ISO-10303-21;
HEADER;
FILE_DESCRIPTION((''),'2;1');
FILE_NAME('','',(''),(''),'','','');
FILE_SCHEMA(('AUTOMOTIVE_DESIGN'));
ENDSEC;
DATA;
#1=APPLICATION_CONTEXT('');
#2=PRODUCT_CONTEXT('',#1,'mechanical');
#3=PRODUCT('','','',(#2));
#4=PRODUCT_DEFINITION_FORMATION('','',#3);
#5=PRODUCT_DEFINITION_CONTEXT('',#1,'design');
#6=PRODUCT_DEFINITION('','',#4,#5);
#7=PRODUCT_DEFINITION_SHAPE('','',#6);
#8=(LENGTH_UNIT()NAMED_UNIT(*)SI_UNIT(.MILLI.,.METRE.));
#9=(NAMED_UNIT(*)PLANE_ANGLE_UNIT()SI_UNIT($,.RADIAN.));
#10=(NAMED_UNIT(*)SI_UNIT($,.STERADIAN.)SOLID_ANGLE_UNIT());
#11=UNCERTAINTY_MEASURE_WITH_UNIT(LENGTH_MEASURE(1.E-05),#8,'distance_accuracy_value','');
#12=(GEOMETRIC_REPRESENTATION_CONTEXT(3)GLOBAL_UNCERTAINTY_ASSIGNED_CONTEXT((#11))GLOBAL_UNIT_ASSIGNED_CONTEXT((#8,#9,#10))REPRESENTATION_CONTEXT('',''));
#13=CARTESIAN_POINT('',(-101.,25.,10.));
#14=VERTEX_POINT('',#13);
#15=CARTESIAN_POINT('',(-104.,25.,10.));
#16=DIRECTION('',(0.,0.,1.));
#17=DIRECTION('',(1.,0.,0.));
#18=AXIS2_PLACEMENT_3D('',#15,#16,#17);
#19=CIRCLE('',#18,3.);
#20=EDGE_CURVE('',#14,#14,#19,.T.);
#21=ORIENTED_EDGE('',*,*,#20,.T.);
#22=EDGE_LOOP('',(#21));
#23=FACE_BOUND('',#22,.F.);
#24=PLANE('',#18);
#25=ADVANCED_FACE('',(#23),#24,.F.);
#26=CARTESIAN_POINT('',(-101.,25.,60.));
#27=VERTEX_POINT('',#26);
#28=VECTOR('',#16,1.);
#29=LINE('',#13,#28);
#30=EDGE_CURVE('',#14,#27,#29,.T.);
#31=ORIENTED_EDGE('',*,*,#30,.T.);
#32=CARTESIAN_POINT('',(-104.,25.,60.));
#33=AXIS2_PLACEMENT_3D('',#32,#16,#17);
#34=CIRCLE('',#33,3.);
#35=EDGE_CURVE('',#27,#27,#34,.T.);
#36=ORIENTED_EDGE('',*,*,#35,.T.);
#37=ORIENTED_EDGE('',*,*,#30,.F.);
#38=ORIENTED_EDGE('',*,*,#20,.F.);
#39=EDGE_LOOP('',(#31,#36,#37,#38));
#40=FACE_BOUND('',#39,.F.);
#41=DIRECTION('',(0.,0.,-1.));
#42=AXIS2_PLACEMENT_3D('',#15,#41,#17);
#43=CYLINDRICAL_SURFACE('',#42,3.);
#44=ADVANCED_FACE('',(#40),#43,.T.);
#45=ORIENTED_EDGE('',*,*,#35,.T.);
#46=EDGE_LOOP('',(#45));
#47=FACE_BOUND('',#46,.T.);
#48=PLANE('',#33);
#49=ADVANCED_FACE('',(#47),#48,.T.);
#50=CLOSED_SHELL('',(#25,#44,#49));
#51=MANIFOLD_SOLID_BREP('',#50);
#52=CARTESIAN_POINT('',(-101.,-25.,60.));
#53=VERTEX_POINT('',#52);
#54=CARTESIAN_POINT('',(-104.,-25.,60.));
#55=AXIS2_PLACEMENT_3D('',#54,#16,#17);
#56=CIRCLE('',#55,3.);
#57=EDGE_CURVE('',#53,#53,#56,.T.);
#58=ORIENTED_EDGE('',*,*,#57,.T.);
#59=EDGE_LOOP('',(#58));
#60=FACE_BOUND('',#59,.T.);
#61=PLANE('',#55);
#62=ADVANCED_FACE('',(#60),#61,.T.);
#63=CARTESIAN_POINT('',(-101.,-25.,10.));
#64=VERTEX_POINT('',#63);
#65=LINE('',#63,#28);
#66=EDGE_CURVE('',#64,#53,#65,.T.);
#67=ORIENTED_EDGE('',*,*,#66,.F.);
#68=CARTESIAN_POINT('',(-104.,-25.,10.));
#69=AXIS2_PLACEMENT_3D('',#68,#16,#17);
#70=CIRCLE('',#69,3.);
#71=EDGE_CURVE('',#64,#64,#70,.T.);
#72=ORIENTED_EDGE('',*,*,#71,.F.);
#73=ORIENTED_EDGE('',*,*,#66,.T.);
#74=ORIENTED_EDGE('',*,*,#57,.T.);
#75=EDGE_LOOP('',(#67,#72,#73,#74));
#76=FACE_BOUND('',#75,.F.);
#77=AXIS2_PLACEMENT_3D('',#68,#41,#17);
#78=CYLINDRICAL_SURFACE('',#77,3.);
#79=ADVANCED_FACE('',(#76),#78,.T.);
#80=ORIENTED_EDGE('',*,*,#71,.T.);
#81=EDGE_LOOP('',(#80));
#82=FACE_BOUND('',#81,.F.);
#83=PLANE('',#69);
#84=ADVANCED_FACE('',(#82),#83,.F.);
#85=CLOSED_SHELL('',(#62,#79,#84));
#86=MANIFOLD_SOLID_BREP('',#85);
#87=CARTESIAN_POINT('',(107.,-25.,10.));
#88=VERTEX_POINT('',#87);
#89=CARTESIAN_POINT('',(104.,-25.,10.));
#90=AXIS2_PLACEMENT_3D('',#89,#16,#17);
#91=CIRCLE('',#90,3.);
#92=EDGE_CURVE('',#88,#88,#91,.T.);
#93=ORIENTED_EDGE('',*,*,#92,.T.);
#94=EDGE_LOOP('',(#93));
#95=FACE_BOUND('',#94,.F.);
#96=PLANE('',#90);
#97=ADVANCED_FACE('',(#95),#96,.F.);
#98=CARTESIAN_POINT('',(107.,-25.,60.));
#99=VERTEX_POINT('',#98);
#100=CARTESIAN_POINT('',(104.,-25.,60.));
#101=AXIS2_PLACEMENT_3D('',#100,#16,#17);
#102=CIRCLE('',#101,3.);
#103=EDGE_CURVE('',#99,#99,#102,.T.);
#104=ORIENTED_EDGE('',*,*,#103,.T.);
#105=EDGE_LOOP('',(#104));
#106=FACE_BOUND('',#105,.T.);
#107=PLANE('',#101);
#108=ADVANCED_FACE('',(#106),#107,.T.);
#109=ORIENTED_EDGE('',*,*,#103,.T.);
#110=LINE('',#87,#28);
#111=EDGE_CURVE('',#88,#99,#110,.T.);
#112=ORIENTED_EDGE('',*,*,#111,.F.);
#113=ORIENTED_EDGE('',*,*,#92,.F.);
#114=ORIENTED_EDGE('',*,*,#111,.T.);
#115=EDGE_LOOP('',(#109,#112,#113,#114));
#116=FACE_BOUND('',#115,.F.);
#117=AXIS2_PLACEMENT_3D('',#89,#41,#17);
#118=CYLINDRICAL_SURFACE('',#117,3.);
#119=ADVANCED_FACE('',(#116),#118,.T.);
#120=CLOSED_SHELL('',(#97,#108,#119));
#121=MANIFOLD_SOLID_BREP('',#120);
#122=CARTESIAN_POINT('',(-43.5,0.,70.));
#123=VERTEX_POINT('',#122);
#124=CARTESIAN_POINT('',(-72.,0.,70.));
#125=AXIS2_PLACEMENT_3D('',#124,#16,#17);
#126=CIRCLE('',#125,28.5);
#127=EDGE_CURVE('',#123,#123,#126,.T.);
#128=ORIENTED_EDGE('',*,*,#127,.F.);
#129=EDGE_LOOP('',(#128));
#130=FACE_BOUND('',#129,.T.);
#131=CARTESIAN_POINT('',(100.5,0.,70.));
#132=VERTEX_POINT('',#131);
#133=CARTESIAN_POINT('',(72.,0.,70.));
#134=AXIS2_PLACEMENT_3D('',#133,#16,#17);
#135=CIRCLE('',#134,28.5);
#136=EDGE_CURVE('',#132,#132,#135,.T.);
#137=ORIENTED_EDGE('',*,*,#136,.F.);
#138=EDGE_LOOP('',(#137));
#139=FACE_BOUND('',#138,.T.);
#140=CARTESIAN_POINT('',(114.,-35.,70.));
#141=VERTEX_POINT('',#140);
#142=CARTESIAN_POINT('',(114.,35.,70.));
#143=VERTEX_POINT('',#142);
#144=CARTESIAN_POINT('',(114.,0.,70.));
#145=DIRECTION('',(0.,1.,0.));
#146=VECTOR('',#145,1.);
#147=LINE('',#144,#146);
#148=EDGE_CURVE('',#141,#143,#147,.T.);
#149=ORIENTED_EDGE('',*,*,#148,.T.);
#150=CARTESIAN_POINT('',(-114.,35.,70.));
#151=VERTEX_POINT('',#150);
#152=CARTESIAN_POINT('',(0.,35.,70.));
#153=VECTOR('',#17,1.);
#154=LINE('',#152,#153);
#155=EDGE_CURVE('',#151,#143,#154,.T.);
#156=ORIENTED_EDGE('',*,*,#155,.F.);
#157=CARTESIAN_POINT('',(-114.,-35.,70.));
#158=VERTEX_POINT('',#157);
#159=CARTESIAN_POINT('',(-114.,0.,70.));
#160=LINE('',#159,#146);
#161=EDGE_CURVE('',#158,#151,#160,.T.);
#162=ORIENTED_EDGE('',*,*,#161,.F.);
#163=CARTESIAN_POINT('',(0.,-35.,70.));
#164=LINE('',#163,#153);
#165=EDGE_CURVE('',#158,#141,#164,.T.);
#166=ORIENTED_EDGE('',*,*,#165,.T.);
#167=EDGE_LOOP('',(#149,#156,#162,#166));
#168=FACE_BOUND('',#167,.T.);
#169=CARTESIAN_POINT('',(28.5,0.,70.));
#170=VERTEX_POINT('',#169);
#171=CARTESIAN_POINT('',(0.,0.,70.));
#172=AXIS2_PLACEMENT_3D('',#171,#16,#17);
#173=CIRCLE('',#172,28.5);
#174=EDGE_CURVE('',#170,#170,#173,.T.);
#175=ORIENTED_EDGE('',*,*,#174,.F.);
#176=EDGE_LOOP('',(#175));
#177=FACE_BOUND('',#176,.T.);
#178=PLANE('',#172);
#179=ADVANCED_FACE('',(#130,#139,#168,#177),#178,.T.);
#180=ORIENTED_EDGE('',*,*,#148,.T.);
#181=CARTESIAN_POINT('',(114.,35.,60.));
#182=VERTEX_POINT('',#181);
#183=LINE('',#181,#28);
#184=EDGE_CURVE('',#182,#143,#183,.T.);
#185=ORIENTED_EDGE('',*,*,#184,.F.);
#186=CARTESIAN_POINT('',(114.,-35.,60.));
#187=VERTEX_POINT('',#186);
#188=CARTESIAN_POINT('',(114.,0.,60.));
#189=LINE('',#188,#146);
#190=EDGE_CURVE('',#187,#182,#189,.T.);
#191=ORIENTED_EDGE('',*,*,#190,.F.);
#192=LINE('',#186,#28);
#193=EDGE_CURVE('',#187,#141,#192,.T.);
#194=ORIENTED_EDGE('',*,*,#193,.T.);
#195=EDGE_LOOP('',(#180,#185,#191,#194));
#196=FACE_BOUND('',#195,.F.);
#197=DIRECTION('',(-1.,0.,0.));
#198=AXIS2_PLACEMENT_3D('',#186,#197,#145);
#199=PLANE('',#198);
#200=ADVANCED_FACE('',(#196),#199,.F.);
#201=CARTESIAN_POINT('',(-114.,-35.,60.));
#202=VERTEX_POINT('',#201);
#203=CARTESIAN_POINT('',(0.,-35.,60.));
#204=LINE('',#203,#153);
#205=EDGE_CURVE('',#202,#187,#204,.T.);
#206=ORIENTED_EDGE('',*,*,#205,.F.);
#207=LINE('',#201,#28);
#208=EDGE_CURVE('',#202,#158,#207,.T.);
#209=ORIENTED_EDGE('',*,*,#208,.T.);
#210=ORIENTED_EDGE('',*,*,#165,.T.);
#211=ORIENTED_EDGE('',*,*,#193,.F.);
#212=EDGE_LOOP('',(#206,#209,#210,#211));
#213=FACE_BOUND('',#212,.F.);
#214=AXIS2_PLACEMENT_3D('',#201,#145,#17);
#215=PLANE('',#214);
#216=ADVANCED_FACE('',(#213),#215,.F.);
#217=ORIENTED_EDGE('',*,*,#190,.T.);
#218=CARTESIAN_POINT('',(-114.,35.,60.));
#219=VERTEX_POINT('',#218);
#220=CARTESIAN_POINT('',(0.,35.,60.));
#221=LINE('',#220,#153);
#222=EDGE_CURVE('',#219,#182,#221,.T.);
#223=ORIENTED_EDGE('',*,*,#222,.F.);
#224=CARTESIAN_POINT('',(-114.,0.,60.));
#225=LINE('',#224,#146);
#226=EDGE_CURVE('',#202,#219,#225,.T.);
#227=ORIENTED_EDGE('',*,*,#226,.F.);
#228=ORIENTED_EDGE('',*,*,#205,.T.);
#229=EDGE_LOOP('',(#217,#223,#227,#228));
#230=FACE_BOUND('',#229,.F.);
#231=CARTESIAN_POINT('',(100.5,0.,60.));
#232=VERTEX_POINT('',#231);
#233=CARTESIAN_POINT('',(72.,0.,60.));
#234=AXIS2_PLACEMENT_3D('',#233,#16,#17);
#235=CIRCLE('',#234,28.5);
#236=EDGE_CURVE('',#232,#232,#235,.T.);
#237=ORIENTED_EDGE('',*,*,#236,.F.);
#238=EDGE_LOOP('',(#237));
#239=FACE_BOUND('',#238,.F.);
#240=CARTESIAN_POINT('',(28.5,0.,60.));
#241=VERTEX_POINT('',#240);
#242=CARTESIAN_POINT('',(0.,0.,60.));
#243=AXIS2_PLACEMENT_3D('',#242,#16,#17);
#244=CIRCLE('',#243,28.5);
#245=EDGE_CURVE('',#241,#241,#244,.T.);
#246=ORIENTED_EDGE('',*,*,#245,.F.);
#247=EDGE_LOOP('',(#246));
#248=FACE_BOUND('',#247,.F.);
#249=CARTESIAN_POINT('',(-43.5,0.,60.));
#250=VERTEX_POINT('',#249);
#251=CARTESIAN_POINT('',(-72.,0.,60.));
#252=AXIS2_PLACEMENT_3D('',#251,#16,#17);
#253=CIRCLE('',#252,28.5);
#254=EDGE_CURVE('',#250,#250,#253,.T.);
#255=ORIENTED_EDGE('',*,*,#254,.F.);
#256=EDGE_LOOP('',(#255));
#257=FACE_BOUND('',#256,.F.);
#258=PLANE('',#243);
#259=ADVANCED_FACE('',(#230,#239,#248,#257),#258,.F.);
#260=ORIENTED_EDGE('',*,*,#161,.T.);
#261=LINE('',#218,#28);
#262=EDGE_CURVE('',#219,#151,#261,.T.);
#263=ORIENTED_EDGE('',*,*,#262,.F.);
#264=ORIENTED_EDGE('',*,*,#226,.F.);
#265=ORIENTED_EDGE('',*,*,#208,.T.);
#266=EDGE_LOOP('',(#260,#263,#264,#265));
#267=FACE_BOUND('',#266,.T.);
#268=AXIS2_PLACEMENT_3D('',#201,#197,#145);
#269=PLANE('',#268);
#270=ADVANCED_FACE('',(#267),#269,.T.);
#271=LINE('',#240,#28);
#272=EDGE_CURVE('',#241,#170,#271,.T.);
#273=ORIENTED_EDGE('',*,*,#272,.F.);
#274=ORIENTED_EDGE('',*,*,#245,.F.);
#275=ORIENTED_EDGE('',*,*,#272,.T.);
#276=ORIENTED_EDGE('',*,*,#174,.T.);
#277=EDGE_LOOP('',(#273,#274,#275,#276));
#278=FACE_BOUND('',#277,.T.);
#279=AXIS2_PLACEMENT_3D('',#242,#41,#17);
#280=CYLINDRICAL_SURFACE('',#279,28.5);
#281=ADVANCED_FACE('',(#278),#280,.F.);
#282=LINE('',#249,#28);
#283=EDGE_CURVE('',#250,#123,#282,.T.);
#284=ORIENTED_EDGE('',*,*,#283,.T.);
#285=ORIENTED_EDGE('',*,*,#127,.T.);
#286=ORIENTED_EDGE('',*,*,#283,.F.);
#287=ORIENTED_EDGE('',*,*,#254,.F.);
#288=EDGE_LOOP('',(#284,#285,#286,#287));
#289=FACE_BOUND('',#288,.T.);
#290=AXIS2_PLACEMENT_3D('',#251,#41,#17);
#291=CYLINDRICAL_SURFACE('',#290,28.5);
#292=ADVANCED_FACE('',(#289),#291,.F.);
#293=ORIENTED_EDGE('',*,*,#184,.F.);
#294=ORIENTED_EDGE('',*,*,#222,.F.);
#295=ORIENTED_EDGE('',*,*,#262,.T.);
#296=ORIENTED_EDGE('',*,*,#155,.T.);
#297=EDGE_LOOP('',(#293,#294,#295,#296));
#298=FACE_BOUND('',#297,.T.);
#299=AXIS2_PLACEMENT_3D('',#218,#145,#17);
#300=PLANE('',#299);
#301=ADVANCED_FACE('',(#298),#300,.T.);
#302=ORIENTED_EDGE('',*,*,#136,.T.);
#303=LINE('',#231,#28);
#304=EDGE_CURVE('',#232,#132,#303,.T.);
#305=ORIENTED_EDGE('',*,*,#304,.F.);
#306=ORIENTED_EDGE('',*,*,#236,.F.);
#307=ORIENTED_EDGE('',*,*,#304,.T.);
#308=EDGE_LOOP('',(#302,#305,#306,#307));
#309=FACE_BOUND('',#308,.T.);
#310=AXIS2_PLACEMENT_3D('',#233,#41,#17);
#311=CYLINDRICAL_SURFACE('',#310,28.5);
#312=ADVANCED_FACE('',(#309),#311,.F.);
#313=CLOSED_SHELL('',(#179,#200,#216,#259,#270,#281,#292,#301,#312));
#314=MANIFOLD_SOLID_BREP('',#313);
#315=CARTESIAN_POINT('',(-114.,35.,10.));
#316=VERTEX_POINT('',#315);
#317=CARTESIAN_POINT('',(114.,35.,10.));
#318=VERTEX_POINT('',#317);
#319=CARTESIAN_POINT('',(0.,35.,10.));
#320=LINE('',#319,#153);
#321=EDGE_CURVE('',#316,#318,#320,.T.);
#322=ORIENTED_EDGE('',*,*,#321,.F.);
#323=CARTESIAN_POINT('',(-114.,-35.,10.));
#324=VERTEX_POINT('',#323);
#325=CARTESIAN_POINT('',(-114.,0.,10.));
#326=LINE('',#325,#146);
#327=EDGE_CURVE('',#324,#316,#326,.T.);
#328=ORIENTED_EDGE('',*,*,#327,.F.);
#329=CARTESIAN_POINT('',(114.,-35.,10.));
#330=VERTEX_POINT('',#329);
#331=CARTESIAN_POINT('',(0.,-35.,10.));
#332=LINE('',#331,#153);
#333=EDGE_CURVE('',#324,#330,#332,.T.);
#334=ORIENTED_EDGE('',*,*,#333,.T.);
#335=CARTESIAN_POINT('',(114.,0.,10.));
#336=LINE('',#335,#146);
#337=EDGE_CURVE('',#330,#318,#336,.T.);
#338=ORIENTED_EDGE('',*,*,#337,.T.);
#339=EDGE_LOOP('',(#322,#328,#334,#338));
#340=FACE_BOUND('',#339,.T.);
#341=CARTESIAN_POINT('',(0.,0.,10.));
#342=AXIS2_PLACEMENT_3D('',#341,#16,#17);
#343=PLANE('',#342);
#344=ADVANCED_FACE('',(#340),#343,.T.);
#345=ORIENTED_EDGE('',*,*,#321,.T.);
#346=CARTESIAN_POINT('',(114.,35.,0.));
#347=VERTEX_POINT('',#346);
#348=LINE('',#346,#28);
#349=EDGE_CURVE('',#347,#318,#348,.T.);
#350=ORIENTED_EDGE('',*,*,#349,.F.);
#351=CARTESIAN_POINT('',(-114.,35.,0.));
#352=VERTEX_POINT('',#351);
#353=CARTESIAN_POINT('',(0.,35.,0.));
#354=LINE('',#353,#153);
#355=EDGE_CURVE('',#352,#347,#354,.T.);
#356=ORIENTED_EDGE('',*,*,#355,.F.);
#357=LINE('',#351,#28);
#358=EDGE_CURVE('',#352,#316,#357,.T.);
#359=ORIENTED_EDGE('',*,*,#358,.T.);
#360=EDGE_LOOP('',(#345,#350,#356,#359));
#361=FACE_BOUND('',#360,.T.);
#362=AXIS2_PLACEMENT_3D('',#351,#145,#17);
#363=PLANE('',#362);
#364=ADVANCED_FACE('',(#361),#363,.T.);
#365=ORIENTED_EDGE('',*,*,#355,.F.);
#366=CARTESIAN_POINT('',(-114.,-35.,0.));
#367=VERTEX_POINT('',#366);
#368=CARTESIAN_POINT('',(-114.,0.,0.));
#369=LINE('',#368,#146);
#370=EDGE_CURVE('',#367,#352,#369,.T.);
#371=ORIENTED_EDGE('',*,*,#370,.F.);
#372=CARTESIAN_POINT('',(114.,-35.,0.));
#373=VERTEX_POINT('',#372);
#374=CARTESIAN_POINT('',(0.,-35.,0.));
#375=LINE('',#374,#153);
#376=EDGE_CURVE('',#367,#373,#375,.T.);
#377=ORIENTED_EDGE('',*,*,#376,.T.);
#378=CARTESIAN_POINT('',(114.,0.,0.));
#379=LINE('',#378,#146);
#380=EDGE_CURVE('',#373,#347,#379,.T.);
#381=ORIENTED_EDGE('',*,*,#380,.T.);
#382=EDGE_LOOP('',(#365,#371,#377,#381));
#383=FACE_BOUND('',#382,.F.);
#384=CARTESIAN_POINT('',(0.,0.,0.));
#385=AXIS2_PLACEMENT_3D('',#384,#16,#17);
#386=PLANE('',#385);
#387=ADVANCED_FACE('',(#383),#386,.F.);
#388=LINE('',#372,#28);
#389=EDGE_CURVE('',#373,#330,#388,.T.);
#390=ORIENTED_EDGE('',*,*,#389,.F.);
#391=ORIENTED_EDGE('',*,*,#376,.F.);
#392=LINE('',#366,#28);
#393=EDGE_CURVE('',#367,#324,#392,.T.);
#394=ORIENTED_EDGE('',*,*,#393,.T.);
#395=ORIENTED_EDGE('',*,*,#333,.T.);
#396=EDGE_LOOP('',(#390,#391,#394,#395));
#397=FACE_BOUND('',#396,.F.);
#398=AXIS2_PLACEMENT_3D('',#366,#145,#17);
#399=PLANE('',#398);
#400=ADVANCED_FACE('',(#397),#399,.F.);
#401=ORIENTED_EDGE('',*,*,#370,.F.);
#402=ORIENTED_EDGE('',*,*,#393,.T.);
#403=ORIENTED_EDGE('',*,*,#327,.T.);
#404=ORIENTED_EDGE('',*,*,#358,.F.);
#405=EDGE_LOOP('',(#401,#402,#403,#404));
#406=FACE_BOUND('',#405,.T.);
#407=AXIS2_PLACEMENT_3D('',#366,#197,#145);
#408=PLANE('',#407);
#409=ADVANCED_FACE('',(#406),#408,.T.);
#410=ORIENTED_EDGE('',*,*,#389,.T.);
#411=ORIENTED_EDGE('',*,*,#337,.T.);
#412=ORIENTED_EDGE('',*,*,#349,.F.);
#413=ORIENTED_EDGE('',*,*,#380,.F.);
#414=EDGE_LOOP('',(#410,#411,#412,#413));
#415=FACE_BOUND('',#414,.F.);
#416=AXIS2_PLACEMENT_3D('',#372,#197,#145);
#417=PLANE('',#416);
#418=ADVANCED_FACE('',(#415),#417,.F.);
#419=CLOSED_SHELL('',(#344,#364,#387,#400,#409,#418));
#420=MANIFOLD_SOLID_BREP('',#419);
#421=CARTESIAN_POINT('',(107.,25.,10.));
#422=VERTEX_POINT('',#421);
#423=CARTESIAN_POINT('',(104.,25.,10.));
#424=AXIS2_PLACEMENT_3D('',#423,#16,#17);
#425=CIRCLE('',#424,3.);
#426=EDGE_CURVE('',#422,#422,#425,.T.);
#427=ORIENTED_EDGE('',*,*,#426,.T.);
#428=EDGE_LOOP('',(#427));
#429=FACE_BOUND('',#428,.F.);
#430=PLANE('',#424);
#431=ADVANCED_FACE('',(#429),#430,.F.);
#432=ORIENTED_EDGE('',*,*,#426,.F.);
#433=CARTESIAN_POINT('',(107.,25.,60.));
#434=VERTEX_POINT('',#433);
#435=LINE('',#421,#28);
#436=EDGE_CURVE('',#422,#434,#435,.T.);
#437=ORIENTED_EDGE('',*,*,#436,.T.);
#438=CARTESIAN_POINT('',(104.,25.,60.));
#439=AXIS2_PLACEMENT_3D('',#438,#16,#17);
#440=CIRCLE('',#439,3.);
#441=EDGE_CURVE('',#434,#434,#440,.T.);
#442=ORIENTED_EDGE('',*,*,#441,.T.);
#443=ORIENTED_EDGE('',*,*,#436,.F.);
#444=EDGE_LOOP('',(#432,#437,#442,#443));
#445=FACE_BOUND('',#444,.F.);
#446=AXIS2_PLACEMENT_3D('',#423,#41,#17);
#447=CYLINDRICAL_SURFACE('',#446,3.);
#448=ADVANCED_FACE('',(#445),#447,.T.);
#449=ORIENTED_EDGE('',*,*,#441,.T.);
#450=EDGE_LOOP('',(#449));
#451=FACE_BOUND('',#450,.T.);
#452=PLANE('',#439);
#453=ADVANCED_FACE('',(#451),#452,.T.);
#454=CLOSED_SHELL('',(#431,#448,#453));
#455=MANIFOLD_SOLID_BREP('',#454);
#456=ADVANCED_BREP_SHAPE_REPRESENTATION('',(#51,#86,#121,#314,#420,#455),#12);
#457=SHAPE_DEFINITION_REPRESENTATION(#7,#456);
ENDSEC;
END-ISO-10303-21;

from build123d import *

# Parameters (mm, degrees)
F0_W     = 228
F0_H     = 70
F1_DEPTH = 10
F3_W     = 228
F3_H     = 70
F3_R     = 28.5
F4_DEPTH = 10
F5_R     = 3
F6_DEPTH = 50


with BuildPart() as f1:
    # F0 (on Top) → F1 (new body)
    with BuildSketch(Plane.XY):
        Rectangle(F0_W, F0_H)
    extrude(amount=F1_DEPTH)


with BuildPart() as f4:
    # F3 (on offset) → F4 (new body)
    with BuildSketch(Plane.XY.offset(60)):
        Rectangle(F3_W, F3_H)
        with Locations((-72, 0)):
            Circle(F3_R, mode=Mode.SUBTRACT)
        Circle(F3_R, mode=Mode.SUBTRACT)
        with Locations((72, 0)):
            Circle(F3_R, mode=Mode.SUBTRACT)
    extrude(amount=F4_DEPTH)


with BuildPart() as f6:
    # F5 (on face) → F6 (new body, through all)
    with BuildSketch(Plane.XY.offset(10)):
        with Locations((-104, -25)):
            Circle(F5_R)
    extrude(amount=F6_DEPTH)


with BuildPart() as f6b:
    # F5 (on face) → F6, piece 2 (new body, through all)
    with BuildSketch(Plane.XY.offset(10)):
        with Locations((-104, 25)):
            Circle(F5_R)
    extrude(amount=F6_DEPTH)


with BuildPart() as f6c:
    # F5 (on face) → F6, piece 3 (new body, through all)
    with BuildSketch(Plane.XY.offset(10)):
        with Locations((104, 25)):
            Circle(F5_R)
    extrude(amount=F6_DEPTH)


with BuildPart() as f6d:
    # F5 (on face) → F6, piece 4 (new body, through all)
    with BuildSketch(Plane.XY.offset(10)):
        with Locations((104, -25)):
            Circle(F5_R)
    extrude(amount=F6_DEPTH)


solid = Compound([f1.part, f4.part, f6.part, f6b.part, f6c.part, f6d.part])
